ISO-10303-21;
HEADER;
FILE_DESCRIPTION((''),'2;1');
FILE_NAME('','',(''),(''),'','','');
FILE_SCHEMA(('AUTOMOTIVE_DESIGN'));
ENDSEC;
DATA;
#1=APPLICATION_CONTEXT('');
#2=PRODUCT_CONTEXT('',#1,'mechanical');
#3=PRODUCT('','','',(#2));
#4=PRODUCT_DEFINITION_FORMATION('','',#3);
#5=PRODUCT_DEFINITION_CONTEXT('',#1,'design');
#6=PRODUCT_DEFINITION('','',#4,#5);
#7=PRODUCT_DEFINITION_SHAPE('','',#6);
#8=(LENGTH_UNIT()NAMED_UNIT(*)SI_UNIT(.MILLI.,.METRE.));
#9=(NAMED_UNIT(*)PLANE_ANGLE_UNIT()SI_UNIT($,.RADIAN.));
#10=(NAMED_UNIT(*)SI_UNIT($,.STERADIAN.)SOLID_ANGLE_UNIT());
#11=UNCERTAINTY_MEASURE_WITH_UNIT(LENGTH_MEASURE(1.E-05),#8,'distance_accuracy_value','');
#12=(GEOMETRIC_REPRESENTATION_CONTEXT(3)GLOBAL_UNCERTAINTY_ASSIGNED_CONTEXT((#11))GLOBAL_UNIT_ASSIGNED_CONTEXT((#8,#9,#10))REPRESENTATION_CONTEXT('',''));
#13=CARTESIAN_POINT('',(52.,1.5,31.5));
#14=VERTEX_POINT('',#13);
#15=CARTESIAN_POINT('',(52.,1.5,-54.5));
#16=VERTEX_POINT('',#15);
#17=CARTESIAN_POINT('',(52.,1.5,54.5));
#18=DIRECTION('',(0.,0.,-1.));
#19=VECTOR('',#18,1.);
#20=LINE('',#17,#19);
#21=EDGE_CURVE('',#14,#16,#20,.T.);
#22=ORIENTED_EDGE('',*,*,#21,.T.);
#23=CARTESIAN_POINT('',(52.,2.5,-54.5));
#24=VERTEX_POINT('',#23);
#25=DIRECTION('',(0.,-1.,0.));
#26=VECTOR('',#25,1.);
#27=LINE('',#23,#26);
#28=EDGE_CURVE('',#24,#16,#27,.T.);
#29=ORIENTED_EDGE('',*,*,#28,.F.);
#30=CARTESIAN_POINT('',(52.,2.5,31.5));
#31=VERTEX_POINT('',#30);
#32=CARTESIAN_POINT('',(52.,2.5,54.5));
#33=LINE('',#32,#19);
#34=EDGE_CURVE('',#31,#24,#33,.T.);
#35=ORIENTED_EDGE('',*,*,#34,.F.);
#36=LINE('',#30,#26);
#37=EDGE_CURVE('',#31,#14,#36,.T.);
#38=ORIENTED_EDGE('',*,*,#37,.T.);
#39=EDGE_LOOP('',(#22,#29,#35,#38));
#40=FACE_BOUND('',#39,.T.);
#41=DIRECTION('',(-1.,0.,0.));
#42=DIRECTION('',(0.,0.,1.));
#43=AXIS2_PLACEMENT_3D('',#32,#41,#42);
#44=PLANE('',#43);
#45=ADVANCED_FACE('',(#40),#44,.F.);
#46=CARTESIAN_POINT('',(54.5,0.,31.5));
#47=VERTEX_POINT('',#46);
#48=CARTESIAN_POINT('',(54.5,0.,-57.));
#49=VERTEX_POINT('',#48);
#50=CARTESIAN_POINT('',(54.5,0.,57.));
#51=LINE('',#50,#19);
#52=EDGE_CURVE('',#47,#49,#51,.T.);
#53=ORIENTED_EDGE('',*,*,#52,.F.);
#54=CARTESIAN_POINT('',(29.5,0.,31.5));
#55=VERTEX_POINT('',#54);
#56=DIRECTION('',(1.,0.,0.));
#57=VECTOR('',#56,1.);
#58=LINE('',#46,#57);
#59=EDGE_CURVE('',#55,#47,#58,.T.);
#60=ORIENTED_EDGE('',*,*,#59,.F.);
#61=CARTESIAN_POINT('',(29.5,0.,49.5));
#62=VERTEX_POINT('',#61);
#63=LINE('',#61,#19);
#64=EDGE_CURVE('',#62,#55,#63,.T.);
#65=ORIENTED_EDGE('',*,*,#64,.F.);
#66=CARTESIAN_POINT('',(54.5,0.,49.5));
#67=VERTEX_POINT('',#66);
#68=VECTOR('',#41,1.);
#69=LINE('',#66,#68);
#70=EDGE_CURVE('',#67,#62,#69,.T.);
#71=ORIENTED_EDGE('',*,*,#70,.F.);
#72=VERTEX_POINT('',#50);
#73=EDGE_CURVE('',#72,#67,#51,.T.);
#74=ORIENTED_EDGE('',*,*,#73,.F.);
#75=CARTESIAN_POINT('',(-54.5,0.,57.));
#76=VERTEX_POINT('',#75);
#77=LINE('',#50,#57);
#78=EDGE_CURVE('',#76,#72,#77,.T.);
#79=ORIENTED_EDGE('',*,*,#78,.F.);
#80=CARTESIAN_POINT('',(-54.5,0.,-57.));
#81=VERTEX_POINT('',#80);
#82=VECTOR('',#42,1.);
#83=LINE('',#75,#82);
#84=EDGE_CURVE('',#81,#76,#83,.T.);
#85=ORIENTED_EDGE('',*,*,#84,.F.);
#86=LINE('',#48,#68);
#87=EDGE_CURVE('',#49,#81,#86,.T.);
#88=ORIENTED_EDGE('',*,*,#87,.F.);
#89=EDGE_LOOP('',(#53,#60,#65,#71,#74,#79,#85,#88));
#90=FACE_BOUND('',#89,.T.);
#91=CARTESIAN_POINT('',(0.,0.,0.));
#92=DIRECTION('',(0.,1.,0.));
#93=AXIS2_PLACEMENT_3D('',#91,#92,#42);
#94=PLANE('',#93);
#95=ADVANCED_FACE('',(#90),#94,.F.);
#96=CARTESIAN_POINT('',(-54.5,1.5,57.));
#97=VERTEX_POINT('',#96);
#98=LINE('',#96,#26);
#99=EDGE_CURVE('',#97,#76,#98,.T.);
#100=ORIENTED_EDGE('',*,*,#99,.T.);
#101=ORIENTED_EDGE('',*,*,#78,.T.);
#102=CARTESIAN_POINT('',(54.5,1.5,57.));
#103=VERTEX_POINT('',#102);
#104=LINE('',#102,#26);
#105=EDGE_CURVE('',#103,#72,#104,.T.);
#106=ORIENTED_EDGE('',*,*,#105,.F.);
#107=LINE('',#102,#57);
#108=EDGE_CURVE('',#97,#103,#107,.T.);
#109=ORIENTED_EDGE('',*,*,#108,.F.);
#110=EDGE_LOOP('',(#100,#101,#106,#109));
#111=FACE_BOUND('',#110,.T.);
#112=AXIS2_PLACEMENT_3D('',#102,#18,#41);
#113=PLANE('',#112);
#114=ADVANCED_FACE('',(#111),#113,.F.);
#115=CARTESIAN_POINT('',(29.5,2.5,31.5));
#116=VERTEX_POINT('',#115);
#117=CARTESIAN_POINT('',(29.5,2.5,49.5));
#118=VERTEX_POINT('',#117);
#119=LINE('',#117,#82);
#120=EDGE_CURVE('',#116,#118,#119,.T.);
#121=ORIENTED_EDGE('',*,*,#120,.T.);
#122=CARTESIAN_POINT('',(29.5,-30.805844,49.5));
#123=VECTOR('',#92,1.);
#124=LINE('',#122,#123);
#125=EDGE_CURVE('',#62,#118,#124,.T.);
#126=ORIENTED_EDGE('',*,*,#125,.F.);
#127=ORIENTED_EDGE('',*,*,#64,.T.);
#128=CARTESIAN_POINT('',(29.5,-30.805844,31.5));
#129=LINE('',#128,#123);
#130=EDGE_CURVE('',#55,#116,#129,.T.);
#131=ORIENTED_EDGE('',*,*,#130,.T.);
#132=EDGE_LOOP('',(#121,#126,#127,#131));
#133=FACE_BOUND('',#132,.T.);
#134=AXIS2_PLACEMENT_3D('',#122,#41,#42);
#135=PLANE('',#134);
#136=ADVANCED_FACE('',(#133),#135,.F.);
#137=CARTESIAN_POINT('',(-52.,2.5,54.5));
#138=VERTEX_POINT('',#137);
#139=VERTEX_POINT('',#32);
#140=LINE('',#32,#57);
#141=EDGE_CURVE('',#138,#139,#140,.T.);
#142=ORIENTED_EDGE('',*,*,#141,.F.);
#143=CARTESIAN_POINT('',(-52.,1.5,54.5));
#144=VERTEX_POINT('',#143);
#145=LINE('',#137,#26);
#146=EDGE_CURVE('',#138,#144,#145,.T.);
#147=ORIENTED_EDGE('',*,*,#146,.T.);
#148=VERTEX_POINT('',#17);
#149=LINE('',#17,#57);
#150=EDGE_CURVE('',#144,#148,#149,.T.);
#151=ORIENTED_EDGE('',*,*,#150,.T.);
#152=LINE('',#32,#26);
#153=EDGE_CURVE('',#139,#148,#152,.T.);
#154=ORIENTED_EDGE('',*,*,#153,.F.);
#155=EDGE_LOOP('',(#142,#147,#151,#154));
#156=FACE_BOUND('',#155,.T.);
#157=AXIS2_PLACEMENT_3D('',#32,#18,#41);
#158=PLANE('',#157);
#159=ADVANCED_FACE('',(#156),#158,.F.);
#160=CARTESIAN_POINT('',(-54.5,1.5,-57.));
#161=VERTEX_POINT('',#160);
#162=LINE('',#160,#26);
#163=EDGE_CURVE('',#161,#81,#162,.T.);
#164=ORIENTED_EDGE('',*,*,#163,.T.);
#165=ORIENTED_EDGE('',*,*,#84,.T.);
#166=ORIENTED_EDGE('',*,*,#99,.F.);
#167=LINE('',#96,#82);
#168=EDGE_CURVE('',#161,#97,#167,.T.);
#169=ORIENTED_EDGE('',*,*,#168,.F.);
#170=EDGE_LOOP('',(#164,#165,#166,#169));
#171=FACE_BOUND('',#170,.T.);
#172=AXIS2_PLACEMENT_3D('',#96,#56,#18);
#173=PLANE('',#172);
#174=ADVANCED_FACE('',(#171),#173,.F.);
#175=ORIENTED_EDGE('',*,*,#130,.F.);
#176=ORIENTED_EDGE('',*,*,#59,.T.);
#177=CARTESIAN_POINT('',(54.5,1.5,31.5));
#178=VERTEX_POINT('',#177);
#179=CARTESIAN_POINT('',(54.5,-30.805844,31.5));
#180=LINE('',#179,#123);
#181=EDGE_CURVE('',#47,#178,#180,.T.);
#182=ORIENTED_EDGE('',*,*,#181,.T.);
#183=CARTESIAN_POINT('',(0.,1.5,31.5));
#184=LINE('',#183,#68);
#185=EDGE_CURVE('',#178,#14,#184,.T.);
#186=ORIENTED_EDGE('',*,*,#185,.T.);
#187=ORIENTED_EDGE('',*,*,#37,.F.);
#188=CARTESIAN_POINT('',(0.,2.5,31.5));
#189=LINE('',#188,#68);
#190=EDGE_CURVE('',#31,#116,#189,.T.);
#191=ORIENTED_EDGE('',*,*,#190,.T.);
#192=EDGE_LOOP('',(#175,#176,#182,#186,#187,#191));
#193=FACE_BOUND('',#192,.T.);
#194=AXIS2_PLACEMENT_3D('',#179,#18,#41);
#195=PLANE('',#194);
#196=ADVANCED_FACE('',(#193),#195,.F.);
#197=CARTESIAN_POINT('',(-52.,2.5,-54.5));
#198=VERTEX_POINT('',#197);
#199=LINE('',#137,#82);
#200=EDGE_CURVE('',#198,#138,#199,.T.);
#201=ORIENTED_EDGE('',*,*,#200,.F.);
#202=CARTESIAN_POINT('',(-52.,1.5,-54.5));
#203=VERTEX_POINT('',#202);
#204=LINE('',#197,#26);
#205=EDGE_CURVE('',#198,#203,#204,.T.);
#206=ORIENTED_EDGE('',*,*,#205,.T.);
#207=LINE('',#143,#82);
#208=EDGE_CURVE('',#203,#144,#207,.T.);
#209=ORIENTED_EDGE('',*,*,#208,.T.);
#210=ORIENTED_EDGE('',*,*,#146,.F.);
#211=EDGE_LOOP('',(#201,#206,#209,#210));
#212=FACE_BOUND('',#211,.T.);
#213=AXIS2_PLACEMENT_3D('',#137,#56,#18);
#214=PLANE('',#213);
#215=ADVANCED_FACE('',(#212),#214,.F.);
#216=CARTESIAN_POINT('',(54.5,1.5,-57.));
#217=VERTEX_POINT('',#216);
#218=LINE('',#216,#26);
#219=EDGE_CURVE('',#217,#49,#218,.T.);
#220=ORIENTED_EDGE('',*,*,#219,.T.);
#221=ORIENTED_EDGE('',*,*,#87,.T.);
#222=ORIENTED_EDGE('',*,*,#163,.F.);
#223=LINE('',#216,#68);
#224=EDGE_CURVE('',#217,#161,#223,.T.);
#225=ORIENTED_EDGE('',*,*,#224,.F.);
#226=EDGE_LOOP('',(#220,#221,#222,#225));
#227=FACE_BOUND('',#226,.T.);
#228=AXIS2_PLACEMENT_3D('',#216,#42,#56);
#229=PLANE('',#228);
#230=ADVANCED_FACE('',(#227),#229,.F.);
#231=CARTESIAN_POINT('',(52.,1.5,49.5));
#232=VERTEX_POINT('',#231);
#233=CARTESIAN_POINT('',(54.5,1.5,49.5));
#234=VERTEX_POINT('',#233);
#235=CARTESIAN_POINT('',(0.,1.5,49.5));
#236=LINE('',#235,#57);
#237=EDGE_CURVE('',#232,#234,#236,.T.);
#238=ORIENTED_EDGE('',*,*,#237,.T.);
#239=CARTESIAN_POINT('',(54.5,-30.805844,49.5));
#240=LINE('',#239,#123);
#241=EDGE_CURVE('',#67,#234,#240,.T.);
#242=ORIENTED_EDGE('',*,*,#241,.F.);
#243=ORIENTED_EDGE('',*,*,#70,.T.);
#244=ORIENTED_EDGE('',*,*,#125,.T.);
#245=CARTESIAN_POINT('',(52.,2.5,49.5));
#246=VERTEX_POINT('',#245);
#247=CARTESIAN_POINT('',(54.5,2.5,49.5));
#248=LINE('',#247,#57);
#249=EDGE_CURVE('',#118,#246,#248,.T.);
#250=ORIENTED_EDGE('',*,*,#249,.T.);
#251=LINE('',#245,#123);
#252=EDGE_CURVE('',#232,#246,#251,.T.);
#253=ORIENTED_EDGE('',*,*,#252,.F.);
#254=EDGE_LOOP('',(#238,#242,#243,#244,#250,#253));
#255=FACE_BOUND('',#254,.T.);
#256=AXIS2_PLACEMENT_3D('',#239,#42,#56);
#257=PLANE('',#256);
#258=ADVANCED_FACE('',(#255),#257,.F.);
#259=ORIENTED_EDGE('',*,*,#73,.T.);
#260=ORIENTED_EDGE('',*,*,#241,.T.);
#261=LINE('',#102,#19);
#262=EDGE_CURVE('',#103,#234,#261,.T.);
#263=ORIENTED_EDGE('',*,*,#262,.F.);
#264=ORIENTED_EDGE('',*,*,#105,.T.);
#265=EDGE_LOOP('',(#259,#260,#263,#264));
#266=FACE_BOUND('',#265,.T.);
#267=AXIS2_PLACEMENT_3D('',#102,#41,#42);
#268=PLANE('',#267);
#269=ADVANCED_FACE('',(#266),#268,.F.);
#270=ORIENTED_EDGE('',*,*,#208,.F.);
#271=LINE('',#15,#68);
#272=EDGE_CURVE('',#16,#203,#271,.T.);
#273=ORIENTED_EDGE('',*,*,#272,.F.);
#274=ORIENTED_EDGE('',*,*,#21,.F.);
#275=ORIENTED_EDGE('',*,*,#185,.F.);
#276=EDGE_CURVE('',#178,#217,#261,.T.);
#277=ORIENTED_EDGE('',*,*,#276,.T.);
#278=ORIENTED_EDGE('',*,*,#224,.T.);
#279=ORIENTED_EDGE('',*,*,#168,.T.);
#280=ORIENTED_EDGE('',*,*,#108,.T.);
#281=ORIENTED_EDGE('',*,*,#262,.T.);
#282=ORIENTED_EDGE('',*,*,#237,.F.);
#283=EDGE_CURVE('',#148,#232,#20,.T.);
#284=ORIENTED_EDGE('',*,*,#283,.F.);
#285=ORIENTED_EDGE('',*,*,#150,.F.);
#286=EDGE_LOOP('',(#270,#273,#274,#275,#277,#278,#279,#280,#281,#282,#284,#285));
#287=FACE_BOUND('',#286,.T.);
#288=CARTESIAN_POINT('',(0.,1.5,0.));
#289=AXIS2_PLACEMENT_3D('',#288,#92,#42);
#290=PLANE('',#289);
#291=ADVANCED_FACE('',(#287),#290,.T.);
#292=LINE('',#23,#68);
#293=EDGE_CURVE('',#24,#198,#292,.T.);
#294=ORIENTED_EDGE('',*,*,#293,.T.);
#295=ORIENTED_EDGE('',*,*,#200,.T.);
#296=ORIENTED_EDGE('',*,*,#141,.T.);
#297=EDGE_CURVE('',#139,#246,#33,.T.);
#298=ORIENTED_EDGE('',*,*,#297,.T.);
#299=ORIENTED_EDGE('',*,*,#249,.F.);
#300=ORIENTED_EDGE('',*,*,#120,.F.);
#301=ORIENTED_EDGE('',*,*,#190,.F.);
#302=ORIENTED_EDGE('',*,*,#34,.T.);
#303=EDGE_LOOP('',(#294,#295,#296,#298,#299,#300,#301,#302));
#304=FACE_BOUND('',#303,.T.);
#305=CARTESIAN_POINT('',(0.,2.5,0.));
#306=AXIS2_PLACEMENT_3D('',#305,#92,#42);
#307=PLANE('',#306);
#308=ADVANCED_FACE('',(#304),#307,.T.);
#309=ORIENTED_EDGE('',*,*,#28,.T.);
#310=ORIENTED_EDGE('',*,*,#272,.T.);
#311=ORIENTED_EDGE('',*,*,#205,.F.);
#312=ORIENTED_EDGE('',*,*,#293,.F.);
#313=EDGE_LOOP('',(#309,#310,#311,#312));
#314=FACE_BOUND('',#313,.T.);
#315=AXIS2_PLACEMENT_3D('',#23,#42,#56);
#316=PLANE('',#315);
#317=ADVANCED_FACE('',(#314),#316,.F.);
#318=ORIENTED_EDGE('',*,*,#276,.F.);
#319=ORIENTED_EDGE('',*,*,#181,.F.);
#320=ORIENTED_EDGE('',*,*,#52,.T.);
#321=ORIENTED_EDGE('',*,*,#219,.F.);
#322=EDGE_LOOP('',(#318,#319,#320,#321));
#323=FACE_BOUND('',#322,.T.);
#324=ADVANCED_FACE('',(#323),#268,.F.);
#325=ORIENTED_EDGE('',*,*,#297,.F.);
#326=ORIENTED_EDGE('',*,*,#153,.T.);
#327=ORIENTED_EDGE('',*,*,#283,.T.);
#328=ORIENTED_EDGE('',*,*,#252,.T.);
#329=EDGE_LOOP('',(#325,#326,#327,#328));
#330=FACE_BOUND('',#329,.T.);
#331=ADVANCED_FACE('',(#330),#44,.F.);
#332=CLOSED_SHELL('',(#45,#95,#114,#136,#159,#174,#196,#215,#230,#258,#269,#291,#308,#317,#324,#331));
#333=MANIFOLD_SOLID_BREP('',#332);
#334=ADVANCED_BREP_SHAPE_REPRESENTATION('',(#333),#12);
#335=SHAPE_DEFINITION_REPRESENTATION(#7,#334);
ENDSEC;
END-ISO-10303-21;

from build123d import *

# Parameters (mm, degrees)
SKETCH2_W           = 109
SKETCH2_H           = 114
BOSS_EXTRUDE1_DEPTH = 1.5
SKETCH3_W           = 104
SKETCH3_H           = 109
BOSS_EXTRUDE2_DEPTH = 1
SKETCH4_W           = 25
SKETCH4_H           = 18
CUT_EXTRUDE1_DEPTH  = 2.5


with BuildPart() as part:
    # Sketch2 → Boss-Extrude1 (new body)
    with BuildSketch(Plane(origin=(0, 0, 0), x_dir=(1, 0, 0), z_dir=(0, 1, 0))):
        Rectangle(SKETCH2_W, SKETCH2_H)
    extrude(amount=BOSS_EXTRUDE1_DEPTH)

    # Sketch3 → Boss-Extrude2 (add)
    with BuildSketch(Plane(origin=(0, 1.5, 0), x_dir=(1, 0, 0), z_dir=(0, 1, 0))):
        Rectangle(SKETCH3_W, SKETCH3_H)
    extrude(amount=BOSS_EXTRUDE2_DEPTH)

    # Sketch4 → Cut-Extrude1 (cut)
    with BuildSketch(Plane(origin=(0, 2.5, 0), x_dir=(1, 0, 0), z_dir=(0, 1, 0))):
        with Locations((42, -40.5)):
            Rectangle(SKETCH4_W, SKETCH4_H)
    extrude(amount=-CUT_EXTRUDE1_DEPTH, mode=Mode.SUBTRACT)


solid = part.part
